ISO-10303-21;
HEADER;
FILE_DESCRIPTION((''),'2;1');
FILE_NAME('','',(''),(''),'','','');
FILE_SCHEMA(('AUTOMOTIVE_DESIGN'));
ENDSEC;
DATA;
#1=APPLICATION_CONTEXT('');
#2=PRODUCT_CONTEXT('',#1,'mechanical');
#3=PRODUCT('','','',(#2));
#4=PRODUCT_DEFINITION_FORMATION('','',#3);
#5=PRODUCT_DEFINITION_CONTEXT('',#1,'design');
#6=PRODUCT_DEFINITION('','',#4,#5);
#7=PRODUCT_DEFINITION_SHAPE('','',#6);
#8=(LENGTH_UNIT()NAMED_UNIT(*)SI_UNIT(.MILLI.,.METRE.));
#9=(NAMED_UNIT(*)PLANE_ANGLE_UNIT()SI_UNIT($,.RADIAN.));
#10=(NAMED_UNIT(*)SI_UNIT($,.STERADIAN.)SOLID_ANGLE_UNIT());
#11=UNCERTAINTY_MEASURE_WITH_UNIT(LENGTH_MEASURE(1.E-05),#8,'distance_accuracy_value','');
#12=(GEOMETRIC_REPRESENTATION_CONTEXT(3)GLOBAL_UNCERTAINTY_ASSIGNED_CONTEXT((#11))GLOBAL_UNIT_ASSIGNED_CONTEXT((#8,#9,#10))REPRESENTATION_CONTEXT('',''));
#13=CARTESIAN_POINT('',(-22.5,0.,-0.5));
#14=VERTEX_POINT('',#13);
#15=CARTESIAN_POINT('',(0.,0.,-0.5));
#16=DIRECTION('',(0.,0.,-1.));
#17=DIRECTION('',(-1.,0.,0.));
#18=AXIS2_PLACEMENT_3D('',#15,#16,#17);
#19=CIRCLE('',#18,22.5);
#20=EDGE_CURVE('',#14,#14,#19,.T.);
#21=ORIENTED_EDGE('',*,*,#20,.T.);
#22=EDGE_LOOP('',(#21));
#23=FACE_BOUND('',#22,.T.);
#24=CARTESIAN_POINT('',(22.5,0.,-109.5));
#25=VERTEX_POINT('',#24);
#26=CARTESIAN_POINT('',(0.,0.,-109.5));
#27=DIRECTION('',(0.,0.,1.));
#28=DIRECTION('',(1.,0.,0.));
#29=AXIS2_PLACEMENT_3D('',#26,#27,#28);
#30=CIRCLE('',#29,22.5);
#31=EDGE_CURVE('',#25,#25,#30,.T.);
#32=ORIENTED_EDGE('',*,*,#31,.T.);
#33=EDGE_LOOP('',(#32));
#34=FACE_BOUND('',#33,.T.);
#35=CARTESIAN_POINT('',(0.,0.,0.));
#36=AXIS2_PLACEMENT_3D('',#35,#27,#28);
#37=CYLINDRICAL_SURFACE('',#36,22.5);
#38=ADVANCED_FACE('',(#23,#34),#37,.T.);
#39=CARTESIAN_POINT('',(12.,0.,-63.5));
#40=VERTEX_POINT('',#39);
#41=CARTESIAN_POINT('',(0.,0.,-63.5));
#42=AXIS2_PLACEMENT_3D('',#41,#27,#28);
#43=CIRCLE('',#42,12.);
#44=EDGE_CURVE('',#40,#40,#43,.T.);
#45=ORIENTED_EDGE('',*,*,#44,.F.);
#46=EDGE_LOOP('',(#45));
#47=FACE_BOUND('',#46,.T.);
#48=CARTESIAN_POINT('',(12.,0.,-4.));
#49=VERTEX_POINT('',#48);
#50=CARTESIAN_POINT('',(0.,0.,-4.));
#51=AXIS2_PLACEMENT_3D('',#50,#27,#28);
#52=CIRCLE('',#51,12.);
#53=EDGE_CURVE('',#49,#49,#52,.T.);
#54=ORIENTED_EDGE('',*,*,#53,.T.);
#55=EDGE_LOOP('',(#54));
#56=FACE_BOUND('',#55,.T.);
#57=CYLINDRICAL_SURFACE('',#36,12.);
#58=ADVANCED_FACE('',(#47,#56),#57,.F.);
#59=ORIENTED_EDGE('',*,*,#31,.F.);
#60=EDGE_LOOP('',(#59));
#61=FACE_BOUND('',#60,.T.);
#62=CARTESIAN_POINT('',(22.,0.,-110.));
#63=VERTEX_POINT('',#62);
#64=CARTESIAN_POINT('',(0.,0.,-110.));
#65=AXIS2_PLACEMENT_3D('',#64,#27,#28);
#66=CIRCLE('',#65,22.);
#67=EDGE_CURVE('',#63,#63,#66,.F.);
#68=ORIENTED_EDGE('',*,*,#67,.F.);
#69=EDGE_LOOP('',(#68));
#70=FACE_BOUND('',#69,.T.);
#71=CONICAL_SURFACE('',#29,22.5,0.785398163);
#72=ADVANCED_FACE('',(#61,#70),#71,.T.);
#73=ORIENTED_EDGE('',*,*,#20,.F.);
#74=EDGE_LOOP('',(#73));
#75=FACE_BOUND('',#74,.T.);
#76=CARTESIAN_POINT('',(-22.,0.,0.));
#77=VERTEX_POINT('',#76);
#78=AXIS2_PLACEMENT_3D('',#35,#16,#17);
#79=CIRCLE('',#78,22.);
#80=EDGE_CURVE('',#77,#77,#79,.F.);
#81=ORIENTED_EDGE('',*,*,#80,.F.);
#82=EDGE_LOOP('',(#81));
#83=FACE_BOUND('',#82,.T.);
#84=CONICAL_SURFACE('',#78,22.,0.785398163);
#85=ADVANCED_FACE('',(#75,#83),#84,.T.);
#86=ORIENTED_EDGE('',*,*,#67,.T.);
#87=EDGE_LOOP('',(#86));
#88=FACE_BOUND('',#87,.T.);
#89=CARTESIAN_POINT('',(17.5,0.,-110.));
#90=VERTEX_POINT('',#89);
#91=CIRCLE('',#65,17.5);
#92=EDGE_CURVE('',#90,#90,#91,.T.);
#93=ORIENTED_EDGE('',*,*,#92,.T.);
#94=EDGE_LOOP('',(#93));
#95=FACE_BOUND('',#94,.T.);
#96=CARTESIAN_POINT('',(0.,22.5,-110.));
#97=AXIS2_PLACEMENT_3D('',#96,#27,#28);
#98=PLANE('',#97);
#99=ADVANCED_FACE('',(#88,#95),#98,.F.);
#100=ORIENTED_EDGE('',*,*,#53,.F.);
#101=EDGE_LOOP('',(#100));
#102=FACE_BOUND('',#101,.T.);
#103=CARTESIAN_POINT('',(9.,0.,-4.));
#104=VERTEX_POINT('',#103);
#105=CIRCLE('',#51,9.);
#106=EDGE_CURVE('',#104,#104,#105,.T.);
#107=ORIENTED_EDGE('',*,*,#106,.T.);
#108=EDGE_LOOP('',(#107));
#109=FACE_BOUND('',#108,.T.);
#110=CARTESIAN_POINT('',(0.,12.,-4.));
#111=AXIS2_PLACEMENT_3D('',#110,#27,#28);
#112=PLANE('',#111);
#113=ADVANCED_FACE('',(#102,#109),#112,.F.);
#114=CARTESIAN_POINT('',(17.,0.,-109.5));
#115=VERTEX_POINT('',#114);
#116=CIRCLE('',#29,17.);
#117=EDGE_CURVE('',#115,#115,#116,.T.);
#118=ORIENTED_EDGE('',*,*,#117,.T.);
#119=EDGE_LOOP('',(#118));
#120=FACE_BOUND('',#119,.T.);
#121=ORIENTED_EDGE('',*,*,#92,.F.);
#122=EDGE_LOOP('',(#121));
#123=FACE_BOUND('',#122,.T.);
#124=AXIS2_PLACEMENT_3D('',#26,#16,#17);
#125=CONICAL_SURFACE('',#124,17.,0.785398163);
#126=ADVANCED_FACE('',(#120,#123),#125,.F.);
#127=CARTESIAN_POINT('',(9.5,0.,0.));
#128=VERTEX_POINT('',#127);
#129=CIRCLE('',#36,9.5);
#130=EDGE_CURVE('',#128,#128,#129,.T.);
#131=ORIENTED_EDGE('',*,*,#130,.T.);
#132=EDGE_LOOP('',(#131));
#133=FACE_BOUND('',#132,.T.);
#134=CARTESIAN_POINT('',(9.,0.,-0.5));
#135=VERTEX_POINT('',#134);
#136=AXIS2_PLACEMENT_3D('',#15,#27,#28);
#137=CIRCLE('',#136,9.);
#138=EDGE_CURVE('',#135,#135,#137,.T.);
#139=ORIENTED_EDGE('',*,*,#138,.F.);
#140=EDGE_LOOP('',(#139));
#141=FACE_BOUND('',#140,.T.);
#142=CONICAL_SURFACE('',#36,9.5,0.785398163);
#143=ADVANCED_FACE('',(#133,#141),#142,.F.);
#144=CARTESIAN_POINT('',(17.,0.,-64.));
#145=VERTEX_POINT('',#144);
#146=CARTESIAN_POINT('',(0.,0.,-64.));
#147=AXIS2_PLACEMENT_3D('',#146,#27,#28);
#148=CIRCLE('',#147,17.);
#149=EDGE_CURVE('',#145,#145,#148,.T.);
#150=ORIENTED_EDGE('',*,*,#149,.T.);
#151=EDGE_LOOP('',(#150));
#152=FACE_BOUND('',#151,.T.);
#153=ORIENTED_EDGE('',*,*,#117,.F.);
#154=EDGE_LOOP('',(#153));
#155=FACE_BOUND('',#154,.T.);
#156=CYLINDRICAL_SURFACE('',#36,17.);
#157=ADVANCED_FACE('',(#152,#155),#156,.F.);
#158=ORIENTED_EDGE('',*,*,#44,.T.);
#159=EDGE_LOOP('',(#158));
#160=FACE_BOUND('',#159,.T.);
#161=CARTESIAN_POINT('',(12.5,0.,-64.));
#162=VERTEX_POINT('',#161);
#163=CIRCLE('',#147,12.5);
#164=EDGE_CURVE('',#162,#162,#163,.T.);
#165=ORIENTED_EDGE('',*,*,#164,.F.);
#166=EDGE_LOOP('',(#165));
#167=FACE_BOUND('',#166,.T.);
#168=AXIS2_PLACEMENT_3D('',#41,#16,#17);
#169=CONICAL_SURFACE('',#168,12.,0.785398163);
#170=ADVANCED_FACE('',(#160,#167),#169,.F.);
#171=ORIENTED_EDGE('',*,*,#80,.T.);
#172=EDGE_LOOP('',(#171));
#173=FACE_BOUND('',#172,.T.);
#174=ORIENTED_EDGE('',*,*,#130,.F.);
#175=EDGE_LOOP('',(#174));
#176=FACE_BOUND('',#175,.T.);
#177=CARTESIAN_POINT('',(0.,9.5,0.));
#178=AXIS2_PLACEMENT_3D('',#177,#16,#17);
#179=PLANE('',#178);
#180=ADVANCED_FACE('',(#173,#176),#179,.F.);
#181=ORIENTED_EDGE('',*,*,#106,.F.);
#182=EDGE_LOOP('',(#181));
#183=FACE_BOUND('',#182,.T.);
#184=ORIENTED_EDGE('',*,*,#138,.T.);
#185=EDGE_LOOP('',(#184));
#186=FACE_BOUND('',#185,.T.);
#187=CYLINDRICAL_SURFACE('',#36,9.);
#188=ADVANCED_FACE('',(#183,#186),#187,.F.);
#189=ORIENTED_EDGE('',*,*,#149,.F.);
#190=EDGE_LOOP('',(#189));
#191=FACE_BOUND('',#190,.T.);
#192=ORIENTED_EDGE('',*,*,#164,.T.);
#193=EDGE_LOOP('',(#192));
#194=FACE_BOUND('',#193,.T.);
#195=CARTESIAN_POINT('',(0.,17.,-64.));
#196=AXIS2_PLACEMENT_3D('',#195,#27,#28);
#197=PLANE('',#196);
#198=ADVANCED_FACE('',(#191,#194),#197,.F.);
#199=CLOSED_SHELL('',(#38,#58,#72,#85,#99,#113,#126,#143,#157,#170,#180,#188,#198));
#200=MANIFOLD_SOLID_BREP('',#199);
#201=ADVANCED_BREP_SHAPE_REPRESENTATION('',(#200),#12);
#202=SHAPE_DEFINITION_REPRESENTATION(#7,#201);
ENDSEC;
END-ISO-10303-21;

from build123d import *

# Parameters (mm, degrees)
CHAMFER1_SIZE = 0.5


with BuildPart() as part:
    # Sketch1 → Revolve1 (revolve)
    with BuildSketch(Plane(origin=(0, 0, 0), x_dir=(0, 0, -1), z_dir=(1, 0, 0)), mode=Mode.PRIVATE) as revolve1_sk:
        Polygon((0, 9.5), (0, 22.5), (110, 22.5), (110, 17.5), (109.5, 17), (64, 17), (64, 12.5), (63.5, 12), (4, 12), (4, 9), (0.5, 9), align=None)
    revolve(revolve1_sk.sketch.rotate(Axis((0, 0, 0), (0, 0, -1)), 90), axis=Axis((0, 0, 0), (0, 0, -1)))

    # Chamfer1
    chamfer1_edges = [part.edges().sort_by_distance(p)[0] for p in [
        (-22.5, 0, -110),
        (-22.5, 0, 0),
    ]]
    chamfer(chamfer1_edges, length=CHAMFER1_SIZE)


solid = part.part
